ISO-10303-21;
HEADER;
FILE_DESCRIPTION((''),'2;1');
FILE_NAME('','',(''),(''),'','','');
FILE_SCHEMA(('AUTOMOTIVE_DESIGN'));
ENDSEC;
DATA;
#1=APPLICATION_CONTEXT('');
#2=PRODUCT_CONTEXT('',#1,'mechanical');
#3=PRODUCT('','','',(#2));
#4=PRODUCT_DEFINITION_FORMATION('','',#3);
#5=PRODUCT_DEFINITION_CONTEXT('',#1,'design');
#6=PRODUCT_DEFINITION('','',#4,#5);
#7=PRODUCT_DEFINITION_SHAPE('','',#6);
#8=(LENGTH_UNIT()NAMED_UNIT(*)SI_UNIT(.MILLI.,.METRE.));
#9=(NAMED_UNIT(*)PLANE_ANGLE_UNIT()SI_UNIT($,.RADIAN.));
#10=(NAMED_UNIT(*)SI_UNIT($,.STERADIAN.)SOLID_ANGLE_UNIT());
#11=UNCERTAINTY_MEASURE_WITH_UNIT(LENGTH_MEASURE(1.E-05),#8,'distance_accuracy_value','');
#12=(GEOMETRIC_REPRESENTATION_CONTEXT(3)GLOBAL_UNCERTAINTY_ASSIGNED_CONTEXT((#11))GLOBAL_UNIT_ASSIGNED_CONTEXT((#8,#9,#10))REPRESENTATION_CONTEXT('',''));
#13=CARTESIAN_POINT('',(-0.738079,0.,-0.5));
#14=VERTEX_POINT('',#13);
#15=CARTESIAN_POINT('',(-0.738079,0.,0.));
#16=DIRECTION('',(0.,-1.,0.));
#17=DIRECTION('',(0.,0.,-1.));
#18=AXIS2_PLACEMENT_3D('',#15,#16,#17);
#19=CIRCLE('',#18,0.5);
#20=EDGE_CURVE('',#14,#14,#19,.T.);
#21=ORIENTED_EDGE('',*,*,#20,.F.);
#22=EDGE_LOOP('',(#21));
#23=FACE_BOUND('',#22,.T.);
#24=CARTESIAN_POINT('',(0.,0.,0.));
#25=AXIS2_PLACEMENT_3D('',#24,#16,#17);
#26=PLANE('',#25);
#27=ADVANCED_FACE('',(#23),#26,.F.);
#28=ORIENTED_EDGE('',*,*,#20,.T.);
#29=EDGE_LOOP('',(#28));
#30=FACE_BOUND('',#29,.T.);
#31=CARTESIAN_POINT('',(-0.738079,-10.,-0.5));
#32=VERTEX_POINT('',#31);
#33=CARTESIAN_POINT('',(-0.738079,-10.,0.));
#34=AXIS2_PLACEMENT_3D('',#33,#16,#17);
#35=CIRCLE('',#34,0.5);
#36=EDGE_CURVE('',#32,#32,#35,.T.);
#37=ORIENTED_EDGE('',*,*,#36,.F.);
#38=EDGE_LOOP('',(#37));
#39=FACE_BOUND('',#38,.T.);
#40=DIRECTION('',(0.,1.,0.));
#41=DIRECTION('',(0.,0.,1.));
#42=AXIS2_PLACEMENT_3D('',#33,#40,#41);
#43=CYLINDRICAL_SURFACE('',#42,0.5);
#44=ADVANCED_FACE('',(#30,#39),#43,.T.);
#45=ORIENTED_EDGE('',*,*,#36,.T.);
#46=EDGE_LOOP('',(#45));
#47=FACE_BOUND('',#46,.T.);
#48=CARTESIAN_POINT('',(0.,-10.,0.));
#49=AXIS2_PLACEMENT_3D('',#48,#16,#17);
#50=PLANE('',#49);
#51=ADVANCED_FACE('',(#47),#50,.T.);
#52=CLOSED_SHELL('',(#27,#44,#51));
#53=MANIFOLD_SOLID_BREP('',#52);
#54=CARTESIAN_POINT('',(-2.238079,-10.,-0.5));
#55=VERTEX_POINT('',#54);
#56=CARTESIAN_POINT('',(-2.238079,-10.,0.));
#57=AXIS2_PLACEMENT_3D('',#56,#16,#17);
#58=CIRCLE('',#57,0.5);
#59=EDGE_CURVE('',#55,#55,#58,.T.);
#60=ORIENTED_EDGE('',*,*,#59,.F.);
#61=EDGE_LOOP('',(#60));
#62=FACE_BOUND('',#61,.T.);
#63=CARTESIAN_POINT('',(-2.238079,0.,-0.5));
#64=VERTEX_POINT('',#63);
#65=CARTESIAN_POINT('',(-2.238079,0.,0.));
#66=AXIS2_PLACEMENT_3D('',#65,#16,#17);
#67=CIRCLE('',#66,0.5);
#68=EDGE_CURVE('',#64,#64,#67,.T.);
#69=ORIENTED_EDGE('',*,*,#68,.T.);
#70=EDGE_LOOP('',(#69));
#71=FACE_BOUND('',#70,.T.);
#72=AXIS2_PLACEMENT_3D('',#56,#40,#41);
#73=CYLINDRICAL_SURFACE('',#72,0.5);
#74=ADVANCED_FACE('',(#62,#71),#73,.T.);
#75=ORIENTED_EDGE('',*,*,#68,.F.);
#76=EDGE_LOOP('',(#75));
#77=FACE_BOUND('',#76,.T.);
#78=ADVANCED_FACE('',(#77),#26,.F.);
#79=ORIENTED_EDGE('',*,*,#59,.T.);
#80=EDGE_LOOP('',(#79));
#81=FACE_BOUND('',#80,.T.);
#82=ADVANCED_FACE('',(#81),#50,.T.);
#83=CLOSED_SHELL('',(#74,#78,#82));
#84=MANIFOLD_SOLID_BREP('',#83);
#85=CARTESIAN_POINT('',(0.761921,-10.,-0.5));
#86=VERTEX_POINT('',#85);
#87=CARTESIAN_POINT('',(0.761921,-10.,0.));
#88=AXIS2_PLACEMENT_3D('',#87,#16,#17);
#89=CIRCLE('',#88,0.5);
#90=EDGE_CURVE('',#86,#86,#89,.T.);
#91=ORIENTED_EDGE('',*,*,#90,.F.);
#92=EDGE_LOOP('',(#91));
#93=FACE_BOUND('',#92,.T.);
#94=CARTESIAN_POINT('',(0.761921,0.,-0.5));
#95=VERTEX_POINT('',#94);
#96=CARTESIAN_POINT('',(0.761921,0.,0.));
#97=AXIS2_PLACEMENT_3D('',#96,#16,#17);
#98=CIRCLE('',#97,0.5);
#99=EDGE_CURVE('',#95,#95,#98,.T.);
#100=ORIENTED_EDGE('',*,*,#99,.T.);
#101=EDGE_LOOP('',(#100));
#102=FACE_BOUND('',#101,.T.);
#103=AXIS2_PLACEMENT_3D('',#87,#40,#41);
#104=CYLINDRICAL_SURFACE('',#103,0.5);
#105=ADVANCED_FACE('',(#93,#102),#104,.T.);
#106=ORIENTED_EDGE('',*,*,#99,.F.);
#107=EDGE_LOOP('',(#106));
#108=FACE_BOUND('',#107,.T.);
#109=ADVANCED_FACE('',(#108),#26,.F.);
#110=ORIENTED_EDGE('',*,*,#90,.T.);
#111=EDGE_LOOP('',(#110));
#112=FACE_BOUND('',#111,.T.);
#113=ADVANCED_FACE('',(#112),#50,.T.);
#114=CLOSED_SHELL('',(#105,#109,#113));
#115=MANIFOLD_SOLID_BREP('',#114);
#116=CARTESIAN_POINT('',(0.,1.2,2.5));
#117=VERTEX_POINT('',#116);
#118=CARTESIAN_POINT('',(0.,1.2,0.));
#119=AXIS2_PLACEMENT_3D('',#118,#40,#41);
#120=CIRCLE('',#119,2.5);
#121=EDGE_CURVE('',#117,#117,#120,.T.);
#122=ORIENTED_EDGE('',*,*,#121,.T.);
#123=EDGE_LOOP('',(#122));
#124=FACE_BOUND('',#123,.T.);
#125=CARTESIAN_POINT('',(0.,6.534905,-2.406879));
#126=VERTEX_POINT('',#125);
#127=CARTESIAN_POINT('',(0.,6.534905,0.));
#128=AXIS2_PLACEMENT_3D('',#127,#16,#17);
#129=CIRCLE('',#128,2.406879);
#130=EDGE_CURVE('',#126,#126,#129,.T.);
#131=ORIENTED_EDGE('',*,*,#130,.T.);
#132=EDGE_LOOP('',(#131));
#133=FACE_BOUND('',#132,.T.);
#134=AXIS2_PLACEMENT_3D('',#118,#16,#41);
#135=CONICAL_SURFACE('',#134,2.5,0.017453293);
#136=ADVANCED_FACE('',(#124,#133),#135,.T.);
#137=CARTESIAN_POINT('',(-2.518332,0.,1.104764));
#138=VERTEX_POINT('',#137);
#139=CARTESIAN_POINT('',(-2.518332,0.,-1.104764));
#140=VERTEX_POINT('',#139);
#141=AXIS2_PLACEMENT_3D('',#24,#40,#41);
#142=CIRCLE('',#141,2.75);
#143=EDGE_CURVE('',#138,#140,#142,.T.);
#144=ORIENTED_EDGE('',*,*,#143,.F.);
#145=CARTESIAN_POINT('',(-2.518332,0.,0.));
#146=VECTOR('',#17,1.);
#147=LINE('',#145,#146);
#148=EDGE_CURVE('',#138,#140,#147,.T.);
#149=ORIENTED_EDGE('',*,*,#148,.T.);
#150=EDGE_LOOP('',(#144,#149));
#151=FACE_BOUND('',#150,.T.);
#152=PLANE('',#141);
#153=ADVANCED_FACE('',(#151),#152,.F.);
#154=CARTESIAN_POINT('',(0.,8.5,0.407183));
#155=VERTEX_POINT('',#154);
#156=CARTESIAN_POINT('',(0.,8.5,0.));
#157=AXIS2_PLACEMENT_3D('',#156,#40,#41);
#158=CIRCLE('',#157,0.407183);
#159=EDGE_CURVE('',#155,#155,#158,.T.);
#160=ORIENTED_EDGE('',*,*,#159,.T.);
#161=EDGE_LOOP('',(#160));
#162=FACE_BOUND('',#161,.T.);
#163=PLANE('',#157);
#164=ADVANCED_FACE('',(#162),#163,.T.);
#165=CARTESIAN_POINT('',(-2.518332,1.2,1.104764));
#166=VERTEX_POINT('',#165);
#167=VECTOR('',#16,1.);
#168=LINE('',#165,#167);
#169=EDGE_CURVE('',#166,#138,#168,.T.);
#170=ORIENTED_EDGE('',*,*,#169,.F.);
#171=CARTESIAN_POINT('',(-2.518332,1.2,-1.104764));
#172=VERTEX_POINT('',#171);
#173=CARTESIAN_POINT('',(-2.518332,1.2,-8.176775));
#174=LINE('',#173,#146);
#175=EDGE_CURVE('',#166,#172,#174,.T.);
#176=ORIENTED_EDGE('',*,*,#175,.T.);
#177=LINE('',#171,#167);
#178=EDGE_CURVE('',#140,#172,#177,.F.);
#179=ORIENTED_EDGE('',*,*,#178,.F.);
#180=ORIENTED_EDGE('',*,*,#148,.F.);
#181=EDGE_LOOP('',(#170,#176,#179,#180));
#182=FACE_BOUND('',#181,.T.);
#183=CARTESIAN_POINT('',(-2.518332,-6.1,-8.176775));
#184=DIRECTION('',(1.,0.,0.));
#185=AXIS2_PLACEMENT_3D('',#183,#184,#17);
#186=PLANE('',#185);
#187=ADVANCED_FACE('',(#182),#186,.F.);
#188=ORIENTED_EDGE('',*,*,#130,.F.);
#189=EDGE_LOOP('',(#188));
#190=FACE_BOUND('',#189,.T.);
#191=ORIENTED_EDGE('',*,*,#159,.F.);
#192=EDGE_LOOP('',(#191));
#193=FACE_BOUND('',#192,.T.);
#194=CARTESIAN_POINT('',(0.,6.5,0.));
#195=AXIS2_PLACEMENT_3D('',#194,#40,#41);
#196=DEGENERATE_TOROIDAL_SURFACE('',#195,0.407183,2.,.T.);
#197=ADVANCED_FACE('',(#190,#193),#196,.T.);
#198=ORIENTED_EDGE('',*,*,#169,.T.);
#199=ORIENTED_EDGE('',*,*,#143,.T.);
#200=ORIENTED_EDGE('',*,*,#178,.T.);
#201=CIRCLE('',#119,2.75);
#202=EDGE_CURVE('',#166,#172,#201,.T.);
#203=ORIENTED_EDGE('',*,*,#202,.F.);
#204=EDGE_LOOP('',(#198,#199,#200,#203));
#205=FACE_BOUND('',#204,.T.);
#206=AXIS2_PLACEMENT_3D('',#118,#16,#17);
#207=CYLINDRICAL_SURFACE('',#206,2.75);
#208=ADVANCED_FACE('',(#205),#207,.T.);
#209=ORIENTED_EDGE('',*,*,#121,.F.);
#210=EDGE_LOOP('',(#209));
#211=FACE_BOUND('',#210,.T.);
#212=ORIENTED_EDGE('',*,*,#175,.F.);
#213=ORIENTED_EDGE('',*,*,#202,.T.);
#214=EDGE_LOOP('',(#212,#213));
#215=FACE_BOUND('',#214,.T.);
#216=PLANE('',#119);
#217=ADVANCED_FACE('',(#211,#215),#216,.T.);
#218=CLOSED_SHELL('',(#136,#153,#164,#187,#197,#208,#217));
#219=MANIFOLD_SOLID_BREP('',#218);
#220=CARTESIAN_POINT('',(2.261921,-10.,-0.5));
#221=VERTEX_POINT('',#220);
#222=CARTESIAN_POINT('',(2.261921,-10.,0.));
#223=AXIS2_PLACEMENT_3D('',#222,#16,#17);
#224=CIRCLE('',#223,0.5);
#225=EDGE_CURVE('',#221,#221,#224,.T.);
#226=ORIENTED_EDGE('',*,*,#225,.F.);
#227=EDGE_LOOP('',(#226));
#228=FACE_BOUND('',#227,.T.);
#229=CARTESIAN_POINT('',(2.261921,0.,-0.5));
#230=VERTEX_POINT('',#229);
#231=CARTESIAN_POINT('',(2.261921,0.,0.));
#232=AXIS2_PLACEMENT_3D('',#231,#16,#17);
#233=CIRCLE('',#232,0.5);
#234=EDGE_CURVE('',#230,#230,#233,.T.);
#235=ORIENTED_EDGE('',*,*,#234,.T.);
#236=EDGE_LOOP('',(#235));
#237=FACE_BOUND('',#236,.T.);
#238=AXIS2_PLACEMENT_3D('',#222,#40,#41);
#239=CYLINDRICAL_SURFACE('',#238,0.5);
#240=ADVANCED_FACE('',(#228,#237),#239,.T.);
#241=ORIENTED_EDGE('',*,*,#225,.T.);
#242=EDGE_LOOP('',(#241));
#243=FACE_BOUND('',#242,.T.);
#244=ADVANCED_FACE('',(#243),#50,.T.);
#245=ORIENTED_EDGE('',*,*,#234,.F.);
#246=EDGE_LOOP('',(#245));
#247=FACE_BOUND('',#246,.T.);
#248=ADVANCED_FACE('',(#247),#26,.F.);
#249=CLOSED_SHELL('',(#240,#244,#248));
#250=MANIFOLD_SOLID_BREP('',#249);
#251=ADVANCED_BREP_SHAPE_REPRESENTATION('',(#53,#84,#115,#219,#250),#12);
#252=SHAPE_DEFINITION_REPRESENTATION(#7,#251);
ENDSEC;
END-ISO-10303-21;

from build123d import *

# Parameters (mm, degrees)
SKETCH1_R             = 2.75
BOSS_EXTRUDE1_DEPTH   = 1.2
SKETCH2_R             = 2.5
BOSS_EXTRUDE2_DEPTH   = 7.3
BOSS_EXTRUDE2_TAPER   = 1
FILLET1_R             = 2
SKETCH3_W             = 2.968485726
SKETCH3_H             = 11.9471494
CUT_EXTRUDE1_DEPTH    = 7.3
SKETCH4_R             = 0.5
BOSS_EXTRUDE3_DEPTH   = 10
BOSS_EXTRUDE3_2_DEPTH = 10
BOSS_EXTRUDE3_3_DEPTH = 10
BOSS_EXTRUDE3_4_DEPTH = 10


with BuildPart() as part:
    # Sketch1 → Boss-Extrude1 (new body)
    with BuildSketch(Plane(origin=(0, 0, 0), x_dir=(1, 0, 0), z_dir=(0, 1, 0))):
        with Locations(Location((0, 0, 0), (0, 0, 270))):
            Circle(SKETCH1_R)
    extrude(amount=BOSS_EXTRUDE1_DEPTH)

    # Sketch2 → Boss-Extrude2 (add)
    with BuildSketch(Plane(origin=(0, 1.2, 0), x_dir=(1, 0, 0), z_dir=(0, 1, 0))):
        Circle(SKETCH2_R)
    extrude(amount=BOSS_EXTRUDE2_DEPTH, taper=BOSS_EXTRUDE2_TAPER)

    # Fillet1
    fillet1_edges = [part.edges().sort_by_distance(p)[0] for p in [
        (-2.372578026, 8.5, 0),
    ]]
    fillet(fillet1_edges, radius=FILLET1_R)

    # Sketch3 → Cut-Extrude1 (cut)
    with BuildSketch(Plane(origin=(0, 1.2, 0), x_dir=(1, 0, 0), z_dir=(0, 1, 0))):
        with Locations((-4.002574988, 2.203199908)):
            Rectangle(SKETCH3_W, SKETCH3_H)
    extrude(amount=-CUT_EXTRUDE1_DEPTH, mode=Mode.SUBTRACT)


with BuildPart() as body_2:
    # Sketch4 → Boss-Extrude3 (new body)
    with BuildSketch(Plane.XZ):
        with Locations(Location((-2.238079198, 0, 0), (0, 0, 270))):
            Circle(SKETCH4_R)
    extrude(amount=BOSS_EXTRUDE3_DEPTH)


with BuildPart() as body_3:
    # Sketch4 → Boss-Extrude3 2 (new body)
    with BuildSketch(Plane.XZ):
        with Locations(Location((-0.738079198, 0, 0), (0, 0, 270))):
            Circle(SKETCH4_R)
    extrude(amount=BOSS_EXTRUDE3_2_DEPTH)


with BuildPart() as body_4:
    # Sketch4 → Boss-Extrude3 3 (new body)
    with BuildSketch(Plane.XZ):
        with Locations(Location((0.761920802, 0, 0), (0, 0, 270))):
            Circle(SKETCH4_R)
    extrude(amount=BOSS_EXTRUDE3_3_DEPTH)


with BuildPart() as body_5:
    # Sketch4 → Boss-Extrude3 4 (new body)
    with BuildSketch(Plane.XZ):
        with Locations(Location((2.261920802, 0, 0), (0, 0, 270))):
            Circle(SKETCH4_R)
    extrude(amount=BOSS_EXTRUDE3_4_DEPTH)


solid = Compound([part.part, body_2.part, body_3.part, body_4.part, body_5.part])
